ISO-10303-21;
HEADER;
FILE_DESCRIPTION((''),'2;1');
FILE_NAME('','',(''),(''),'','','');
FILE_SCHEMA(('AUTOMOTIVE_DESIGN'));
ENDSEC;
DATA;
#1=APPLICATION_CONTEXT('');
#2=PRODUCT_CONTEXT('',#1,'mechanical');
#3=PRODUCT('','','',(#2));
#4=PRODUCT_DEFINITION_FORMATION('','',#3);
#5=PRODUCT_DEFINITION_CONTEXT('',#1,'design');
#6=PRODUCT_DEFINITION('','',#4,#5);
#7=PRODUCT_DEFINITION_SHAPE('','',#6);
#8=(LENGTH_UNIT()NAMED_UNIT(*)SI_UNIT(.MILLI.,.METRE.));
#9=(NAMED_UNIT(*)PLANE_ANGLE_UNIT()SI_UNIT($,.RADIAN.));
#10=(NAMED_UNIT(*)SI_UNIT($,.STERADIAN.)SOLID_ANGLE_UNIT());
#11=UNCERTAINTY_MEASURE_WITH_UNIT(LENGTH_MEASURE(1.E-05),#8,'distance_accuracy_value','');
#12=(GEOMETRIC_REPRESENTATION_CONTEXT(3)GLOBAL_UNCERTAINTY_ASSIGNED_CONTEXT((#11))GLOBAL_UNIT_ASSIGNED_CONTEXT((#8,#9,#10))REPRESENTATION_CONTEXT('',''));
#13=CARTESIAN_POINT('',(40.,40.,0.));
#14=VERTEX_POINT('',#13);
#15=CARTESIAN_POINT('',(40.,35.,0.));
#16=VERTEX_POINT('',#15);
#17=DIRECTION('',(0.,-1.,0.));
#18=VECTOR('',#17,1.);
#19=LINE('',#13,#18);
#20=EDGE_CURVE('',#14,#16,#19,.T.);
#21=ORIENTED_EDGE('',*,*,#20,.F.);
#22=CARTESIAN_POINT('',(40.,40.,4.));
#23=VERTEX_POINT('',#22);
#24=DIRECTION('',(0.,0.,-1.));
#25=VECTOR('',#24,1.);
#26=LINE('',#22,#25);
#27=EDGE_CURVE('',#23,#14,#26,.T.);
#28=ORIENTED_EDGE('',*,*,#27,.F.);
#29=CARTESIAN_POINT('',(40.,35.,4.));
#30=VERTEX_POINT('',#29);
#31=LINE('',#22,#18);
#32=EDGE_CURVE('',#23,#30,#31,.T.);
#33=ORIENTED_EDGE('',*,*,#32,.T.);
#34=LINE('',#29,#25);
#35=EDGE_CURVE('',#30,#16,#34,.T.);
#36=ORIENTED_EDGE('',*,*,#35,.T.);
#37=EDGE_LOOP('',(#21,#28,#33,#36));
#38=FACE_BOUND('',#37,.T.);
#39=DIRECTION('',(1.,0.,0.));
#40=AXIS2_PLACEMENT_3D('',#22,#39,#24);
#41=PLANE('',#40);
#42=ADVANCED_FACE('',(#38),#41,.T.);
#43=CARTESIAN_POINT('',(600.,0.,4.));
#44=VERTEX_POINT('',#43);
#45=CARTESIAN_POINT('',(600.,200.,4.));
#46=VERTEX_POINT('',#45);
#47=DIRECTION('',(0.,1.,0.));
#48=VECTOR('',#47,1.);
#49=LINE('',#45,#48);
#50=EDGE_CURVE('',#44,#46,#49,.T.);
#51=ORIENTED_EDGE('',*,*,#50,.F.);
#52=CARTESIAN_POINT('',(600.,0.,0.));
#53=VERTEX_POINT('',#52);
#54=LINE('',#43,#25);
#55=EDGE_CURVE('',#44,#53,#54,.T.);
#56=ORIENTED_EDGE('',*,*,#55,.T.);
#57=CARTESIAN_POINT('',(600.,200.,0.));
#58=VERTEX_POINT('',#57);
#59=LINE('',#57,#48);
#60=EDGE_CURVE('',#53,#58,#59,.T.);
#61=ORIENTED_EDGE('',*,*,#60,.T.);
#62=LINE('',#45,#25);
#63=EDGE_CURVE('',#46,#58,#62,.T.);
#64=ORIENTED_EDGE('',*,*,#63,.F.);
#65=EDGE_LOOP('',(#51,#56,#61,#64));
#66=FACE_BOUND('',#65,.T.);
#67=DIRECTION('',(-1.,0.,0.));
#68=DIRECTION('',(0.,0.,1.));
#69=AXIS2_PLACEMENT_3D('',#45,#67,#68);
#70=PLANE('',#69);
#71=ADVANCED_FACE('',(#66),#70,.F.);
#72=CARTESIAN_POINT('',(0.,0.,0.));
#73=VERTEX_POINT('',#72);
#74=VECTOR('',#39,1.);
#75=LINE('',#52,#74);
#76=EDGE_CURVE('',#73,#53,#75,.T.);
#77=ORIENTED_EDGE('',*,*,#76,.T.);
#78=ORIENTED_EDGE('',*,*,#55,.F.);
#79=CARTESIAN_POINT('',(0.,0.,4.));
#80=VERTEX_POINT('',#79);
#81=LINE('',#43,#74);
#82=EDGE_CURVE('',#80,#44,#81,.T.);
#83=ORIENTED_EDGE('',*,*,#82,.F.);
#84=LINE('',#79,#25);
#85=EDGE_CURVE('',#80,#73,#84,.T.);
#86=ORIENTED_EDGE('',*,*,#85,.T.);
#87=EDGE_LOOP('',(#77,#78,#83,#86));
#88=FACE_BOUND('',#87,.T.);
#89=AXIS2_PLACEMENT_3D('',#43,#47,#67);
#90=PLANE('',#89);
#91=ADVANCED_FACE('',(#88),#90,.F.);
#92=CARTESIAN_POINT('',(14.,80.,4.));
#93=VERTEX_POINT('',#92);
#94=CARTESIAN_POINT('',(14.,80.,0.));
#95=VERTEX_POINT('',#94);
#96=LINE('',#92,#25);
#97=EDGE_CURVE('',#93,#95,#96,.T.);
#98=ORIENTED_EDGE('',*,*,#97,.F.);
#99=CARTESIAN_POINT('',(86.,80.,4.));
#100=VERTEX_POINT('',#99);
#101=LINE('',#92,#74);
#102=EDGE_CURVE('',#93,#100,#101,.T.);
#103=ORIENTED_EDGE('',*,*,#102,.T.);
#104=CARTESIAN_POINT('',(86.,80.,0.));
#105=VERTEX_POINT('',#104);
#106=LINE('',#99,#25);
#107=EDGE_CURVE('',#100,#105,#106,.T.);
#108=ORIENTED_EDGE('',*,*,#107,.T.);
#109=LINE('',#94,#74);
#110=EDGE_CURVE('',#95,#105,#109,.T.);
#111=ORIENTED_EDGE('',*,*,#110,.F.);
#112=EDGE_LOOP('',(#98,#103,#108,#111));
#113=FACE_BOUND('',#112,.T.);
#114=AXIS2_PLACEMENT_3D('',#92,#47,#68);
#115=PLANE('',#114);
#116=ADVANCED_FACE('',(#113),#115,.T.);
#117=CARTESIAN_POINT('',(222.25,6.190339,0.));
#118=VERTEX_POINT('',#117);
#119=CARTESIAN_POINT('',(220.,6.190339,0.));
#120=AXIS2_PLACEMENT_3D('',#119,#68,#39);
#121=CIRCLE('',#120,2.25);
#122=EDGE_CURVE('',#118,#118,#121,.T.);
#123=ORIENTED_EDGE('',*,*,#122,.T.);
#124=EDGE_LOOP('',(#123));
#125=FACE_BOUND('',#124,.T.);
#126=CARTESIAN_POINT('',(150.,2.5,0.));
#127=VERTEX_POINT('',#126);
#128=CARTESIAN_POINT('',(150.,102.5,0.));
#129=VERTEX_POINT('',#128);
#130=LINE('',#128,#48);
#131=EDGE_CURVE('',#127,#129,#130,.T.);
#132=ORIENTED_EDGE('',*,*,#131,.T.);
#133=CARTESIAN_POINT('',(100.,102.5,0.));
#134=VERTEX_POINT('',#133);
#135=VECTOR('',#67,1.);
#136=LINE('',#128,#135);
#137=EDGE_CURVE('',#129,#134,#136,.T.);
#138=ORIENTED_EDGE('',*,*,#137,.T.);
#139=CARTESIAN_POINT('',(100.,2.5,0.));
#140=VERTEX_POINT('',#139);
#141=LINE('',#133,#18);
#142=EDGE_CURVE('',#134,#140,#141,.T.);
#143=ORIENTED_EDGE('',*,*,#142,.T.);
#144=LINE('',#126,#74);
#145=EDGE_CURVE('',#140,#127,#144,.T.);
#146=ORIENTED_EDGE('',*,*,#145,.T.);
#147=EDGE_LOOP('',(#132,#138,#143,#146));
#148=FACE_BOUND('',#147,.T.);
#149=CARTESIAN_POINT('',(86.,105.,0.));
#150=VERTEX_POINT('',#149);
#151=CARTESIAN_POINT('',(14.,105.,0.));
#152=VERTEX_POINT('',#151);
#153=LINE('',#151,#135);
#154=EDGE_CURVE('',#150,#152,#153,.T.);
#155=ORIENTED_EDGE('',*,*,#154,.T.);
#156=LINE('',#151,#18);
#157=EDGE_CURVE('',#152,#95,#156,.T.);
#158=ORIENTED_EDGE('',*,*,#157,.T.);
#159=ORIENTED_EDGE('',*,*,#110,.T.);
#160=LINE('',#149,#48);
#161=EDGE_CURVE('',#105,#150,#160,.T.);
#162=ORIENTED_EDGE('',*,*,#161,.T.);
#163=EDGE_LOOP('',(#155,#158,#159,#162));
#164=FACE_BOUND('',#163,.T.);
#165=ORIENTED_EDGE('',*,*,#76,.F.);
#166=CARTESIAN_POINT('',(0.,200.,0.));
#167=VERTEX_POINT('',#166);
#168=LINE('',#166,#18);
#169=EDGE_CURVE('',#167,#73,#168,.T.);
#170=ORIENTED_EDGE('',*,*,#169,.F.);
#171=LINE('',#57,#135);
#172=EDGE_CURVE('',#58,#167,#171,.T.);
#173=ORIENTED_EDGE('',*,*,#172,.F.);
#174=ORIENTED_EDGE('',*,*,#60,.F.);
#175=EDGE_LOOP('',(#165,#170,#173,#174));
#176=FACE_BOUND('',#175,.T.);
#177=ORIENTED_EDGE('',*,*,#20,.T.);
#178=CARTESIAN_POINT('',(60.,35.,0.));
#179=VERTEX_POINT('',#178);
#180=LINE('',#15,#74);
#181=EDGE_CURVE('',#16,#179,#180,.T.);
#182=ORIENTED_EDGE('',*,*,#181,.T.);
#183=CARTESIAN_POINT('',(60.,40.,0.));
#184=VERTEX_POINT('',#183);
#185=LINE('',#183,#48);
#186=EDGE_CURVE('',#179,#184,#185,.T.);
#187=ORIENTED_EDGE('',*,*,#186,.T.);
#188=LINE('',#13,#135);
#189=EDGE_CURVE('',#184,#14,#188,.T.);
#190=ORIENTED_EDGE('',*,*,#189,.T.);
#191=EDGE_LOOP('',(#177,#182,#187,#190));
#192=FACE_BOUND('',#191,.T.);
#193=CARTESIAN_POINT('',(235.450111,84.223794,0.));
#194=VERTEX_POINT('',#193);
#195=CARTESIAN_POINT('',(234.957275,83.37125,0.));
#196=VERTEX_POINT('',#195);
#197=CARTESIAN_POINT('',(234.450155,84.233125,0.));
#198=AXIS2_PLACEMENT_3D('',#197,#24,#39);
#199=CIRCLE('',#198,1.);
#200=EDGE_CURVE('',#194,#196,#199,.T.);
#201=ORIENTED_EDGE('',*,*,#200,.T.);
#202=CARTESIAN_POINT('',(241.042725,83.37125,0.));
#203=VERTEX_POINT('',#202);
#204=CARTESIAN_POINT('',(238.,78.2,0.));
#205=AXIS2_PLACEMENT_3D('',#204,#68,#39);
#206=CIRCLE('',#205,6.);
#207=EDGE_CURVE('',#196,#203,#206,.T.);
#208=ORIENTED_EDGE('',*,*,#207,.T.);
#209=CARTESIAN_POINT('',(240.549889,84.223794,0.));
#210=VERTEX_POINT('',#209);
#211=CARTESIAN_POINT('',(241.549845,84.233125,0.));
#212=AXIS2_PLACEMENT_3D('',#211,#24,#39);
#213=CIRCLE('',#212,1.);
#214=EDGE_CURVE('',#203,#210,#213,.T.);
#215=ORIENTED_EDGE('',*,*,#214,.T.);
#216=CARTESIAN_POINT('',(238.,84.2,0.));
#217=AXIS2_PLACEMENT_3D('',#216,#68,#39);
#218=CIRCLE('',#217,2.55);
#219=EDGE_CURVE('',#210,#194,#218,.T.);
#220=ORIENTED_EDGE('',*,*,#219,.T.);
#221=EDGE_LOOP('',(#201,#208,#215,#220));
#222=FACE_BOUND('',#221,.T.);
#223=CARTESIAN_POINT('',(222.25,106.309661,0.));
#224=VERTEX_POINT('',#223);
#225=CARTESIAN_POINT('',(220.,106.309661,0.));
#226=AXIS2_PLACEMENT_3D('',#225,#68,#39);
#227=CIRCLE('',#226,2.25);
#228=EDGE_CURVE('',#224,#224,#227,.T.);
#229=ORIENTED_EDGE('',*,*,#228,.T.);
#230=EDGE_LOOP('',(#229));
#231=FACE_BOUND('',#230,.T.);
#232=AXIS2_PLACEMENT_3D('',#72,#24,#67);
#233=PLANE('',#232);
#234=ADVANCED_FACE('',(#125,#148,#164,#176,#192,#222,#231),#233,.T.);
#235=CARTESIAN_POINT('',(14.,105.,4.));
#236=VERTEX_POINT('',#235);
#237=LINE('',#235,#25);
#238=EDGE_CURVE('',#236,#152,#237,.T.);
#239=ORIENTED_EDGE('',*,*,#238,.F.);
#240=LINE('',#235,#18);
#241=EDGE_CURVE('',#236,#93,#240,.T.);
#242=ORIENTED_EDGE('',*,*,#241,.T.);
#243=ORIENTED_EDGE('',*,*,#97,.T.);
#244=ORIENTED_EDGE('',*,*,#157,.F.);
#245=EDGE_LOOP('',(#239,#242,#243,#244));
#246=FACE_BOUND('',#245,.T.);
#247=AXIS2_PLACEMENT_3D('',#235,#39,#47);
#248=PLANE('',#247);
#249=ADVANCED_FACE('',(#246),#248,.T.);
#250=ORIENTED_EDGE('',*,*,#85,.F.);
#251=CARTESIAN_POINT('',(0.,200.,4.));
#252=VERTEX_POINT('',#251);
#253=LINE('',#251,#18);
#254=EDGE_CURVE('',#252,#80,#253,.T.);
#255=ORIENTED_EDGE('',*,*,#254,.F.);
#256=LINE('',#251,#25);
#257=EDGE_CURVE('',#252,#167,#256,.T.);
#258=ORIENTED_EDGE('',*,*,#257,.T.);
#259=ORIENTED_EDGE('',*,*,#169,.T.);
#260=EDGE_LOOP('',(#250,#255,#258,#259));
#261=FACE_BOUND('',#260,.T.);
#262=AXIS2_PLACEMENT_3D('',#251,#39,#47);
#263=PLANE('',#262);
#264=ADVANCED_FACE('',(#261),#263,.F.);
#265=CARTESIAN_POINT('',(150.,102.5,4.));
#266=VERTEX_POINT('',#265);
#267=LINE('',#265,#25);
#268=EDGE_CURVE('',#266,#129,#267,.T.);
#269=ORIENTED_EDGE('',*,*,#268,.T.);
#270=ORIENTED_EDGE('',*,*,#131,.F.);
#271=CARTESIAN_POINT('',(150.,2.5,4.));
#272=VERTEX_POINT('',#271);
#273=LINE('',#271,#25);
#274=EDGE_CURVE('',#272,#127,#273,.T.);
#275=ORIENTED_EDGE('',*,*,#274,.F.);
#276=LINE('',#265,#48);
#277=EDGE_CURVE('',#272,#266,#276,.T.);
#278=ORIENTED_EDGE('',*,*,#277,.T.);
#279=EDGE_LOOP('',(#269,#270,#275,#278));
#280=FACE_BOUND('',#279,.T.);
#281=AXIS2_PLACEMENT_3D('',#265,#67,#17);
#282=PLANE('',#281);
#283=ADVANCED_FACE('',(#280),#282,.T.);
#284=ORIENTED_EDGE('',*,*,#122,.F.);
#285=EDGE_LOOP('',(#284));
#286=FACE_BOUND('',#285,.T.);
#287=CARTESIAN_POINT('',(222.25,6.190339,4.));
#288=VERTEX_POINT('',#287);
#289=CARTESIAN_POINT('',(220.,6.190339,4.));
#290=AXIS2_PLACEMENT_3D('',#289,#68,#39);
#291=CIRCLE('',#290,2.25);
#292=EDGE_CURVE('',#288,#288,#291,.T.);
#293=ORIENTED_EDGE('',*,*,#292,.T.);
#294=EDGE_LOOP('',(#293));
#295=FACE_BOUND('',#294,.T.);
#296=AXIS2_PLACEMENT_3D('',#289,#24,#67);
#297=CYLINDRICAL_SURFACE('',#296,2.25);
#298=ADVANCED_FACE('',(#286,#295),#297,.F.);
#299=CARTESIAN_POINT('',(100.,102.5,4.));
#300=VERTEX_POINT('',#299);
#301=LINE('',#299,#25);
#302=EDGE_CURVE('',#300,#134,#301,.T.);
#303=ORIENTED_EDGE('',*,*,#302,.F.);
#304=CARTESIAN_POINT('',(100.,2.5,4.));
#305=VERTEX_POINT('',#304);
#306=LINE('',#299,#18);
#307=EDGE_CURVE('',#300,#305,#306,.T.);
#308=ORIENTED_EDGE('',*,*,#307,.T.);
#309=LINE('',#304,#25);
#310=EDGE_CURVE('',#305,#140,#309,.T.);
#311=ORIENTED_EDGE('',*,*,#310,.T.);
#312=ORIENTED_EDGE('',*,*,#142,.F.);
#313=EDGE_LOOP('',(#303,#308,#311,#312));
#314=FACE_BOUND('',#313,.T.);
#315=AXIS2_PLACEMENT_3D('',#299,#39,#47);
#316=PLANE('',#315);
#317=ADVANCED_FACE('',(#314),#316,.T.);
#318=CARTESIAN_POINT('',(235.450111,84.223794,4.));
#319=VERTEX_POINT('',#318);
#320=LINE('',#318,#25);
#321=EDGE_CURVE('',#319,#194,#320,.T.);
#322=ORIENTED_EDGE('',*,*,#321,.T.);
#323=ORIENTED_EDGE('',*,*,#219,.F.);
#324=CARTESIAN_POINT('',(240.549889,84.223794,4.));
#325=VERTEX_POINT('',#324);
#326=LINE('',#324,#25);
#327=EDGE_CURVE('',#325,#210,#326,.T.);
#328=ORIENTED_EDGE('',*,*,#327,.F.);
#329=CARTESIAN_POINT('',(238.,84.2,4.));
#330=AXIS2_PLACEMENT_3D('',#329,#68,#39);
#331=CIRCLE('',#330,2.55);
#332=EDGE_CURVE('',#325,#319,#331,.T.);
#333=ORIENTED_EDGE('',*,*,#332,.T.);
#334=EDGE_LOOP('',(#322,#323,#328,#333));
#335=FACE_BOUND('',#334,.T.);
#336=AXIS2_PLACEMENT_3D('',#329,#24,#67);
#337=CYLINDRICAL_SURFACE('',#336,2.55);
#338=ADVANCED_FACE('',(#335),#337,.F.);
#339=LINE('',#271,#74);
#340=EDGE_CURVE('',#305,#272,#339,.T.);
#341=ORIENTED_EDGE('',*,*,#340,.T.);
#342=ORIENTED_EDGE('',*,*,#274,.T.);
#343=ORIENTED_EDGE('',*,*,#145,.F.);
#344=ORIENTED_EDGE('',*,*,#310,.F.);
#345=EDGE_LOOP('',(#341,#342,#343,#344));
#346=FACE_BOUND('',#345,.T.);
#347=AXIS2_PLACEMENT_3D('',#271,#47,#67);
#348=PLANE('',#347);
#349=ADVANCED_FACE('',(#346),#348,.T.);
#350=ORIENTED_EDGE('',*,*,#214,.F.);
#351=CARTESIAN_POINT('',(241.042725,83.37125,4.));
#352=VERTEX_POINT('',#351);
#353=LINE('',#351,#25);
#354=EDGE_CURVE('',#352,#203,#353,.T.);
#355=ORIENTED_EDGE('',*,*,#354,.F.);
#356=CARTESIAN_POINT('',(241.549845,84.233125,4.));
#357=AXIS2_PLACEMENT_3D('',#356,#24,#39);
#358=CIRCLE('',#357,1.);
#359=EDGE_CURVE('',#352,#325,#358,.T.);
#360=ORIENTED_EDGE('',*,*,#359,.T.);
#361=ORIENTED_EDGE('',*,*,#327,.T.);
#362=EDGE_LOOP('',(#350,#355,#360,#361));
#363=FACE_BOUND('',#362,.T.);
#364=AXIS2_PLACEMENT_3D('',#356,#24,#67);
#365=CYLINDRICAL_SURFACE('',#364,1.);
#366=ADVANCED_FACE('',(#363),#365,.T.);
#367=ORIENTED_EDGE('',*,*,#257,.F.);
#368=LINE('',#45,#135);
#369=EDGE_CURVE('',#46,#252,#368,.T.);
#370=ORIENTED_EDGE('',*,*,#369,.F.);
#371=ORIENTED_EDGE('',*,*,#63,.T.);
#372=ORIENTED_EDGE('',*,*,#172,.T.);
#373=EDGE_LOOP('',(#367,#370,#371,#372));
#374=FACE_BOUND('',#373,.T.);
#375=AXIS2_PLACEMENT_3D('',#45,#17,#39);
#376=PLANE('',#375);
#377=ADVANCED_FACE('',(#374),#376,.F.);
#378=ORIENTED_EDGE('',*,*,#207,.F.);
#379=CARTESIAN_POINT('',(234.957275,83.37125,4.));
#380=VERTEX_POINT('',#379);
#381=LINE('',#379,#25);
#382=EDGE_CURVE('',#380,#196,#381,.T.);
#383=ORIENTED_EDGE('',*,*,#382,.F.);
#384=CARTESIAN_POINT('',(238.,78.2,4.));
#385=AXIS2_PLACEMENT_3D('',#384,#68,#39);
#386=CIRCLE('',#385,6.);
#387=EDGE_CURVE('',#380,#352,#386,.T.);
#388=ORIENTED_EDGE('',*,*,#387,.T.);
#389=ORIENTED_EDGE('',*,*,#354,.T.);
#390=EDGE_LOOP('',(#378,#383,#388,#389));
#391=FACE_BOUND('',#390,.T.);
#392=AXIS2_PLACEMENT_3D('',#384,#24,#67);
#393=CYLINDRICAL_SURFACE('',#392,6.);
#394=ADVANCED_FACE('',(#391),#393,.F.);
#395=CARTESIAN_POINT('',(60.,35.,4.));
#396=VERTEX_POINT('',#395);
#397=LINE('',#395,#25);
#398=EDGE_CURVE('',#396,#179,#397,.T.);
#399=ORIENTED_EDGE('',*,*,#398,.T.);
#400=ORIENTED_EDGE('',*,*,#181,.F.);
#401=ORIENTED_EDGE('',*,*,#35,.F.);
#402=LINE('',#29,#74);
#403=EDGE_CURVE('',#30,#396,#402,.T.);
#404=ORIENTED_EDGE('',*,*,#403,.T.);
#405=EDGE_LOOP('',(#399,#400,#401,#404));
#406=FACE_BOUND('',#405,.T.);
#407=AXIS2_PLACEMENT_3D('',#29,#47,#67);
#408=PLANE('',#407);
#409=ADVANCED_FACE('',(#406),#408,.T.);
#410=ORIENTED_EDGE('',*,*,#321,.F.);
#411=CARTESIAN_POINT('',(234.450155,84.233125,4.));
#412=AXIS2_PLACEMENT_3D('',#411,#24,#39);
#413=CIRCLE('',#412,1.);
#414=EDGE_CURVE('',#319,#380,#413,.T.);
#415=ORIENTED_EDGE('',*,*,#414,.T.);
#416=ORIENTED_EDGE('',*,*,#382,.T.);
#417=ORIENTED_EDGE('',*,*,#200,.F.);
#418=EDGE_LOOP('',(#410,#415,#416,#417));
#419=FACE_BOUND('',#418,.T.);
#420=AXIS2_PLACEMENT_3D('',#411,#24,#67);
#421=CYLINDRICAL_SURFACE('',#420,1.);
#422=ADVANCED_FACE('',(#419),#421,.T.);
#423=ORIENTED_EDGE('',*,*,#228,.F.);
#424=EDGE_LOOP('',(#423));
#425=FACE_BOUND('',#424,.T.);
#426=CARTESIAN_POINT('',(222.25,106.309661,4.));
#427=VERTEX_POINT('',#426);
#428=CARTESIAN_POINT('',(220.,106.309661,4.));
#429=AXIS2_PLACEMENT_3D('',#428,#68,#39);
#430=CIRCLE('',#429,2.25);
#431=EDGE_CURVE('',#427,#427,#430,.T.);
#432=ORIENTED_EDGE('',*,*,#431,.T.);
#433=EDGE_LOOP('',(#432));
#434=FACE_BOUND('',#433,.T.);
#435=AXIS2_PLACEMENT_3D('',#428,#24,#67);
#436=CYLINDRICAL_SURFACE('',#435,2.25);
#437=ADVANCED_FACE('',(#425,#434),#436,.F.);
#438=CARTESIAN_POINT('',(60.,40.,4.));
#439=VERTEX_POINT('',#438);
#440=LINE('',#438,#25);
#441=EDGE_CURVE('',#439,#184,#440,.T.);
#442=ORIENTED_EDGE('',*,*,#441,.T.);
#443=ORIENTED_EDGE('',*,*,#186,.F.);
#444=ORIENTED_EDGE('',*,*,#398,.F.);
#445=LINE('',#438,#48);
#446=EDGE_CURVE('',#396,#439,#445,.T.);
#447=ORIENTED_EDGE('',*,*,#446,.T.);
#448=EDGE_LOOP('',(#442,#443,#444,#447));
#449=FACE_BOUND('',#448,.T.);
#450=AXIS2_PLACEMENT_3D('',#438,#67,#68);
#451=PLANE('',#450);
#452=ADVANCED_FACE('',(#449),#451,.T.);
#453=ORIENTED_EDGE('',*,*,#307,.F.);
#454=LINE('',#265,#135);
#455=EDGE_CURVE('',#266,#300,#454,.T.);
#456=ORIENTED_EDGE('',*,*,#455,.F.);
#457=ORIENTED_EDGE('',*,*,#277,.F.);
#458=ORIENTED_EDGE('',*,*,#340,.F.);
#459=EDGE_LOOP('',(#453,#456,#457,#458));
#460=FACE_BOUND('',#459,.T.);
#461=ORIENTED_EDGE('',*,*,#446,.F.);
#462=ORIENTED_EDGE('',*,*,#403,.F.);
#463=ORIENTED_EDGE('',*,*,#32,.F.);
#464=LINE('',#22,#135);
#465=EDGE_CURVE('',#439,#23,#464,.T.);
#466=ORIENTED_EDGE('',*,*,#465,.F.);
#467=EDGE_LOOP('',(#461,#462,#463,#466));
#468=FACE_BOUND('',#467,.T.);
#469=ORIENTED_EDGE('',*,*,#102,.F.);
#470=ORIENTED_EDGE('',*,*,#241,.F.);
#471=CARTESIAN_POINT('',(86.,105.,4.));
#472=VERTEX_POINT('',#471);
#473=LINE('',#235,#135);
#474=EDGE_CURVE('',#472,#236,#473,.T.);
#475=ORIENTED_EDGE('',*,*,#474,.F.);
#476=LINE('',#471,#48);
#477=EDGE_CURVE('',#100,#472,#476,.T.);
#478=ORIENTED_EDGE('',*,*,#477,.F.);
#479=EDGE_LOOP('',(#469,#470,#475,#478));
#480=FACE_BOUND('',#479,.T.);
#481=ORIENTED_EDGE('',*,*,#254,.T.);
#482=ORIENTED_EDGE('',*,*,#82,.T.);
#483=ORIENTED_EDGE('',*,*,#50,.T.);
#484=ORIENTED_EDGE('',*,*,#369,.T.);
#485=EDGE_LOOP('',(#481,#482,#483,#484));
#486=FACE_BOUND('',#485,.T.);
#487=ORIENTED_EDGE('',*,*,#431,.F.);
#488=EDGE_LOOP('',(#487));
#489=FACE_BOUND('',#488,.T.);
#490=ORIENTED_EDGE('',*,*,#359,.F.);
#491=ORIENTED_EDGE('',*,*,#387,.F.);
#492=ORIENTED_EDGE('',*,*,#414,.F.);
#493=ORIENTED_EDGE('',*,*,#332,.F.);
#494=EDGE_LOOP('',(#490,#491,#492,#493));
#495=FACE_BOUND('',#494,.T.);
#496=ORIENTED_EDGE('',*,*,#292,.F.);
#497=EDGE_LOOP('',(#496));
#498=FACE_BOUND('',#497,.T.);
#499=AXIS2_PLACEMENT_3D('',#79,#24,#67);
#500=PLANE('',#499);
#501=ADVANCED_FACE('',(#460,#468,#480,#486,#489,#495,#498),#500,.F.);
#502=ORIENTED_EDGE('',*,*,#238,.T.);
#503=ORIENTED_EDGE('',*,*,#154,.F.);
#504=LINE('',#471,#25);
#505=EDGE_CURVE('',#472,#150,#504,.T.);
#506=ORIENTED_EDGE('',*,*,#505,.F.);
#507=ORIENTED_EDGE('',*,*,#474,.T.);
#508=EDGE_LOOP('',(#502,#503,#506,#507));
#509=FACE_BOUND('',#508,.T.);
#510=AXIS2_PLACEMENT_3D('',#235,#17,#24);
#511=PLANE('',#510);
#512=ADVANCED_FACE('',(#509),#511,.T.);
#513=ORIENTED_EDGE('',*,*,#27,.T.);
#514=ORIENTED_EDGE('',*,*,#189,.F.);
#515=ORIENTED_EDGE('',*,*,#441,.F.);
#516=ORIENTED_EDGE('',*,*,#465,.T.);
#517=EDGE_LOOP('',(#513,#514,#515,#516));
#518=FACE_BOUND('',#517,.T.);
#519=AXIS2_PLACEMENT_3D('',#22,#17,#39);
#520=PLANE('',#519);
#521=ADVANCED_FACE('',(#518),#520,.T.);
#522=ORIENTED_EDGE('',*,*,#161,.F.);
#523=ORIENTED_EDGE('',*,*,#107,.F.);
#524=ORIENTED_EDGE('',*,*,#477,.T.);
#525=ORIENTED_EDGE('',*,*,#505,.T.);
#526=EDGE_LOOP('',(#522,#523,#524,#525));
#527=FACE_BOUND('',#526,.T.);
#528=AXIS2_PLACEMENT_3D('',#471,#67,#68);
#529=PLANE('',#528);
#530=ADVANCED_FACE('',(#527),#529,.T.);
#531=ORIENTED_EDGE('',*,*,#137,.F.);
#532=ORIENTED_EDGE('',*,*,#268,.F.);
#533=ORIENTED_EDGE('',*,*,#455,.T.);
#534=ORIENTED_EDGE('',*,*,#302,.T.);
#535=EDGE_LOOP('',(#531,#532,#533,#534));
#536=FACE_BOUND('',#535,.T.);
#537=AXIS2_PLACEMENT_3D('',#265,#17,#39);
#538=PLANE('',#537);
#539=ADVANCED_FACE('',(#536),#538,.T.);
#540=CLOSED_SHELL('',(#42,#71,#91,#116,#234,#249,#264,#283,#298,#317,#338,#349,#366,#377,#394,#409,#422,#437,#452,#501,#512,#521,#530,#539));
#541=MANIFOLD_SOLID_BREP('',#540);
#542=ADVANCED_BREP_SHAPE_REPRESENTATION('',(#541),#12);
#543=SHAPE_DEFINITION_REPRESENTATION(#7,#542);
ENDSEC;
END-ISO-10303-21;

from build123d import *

# Parameters (mm, degrees)
SKETCH1_W           = 600
SKETCH1_H           = 200
SKETCH1_R           = 2.25
SKETCH1_W_2         = 50
SKETCH1_H_2         = 100
SKETCH1_W_3         = 20
SKETCH1_H_3         = 5
SKETCH1_W_4         = 72
SKETCH1_H_4         = 25
BOSS_EXTRUDE1_DEPTH = 4


with BuildPart() as part:
    # Sketch1 → Boss-Extrude1 (new body)
    with BuildSketch(Plane.XY):
        with Locations((300, 100)):
            Rectangle(SKETCH1_W, SKETCH1_H)
        with Locations((220, 106.30966113)):
            Circle(SKETCH1_R, mode=Mode.SUBTRACT)
        with Locations((220, 6.19033887)):
            Circle(SKETCH1_R, mode=Mode.SUBTRACT)
        with Locations((125, 52.5)):
            Rectangle(SKETCH1_W_2, SKETCH1_H_2, mode=Mode.SUBTRACT)
        with Locations((50, 37.5)):
            Rectangle(SKETCH1_W_3, SKETCH1_H_3, mode=Mode.SUBTRACT)
        with Locations((50, 92.5)):
            Rectangle(SKETCH1_W_4, SKETCH1_H_4, mode=Mode.SUBTRACT)
        with BuildLine():
            ThreePointArc((234.957275327, 83.37125), (238, 72.2), (241.042724673, 83.37125))
            ThreePointArc((241.042724673, 83.37125), (240.684092439, 83.732653501), (240.549888987, 84.223794014))
            ThreePointArc((240.549888987, 84.223794014), (238, 86.75), (235.450111013, 84.223794014))
            ThreePointArc((235.450111013, 84.223794014), (235.315907561, 83.732653501), (234.957275327, 83.37125))
        make_face(mode=Mode.SUBTRACT)
    extrude(amount=BOSS_EXTRUDE1_DEPTH)


solid = part.part
